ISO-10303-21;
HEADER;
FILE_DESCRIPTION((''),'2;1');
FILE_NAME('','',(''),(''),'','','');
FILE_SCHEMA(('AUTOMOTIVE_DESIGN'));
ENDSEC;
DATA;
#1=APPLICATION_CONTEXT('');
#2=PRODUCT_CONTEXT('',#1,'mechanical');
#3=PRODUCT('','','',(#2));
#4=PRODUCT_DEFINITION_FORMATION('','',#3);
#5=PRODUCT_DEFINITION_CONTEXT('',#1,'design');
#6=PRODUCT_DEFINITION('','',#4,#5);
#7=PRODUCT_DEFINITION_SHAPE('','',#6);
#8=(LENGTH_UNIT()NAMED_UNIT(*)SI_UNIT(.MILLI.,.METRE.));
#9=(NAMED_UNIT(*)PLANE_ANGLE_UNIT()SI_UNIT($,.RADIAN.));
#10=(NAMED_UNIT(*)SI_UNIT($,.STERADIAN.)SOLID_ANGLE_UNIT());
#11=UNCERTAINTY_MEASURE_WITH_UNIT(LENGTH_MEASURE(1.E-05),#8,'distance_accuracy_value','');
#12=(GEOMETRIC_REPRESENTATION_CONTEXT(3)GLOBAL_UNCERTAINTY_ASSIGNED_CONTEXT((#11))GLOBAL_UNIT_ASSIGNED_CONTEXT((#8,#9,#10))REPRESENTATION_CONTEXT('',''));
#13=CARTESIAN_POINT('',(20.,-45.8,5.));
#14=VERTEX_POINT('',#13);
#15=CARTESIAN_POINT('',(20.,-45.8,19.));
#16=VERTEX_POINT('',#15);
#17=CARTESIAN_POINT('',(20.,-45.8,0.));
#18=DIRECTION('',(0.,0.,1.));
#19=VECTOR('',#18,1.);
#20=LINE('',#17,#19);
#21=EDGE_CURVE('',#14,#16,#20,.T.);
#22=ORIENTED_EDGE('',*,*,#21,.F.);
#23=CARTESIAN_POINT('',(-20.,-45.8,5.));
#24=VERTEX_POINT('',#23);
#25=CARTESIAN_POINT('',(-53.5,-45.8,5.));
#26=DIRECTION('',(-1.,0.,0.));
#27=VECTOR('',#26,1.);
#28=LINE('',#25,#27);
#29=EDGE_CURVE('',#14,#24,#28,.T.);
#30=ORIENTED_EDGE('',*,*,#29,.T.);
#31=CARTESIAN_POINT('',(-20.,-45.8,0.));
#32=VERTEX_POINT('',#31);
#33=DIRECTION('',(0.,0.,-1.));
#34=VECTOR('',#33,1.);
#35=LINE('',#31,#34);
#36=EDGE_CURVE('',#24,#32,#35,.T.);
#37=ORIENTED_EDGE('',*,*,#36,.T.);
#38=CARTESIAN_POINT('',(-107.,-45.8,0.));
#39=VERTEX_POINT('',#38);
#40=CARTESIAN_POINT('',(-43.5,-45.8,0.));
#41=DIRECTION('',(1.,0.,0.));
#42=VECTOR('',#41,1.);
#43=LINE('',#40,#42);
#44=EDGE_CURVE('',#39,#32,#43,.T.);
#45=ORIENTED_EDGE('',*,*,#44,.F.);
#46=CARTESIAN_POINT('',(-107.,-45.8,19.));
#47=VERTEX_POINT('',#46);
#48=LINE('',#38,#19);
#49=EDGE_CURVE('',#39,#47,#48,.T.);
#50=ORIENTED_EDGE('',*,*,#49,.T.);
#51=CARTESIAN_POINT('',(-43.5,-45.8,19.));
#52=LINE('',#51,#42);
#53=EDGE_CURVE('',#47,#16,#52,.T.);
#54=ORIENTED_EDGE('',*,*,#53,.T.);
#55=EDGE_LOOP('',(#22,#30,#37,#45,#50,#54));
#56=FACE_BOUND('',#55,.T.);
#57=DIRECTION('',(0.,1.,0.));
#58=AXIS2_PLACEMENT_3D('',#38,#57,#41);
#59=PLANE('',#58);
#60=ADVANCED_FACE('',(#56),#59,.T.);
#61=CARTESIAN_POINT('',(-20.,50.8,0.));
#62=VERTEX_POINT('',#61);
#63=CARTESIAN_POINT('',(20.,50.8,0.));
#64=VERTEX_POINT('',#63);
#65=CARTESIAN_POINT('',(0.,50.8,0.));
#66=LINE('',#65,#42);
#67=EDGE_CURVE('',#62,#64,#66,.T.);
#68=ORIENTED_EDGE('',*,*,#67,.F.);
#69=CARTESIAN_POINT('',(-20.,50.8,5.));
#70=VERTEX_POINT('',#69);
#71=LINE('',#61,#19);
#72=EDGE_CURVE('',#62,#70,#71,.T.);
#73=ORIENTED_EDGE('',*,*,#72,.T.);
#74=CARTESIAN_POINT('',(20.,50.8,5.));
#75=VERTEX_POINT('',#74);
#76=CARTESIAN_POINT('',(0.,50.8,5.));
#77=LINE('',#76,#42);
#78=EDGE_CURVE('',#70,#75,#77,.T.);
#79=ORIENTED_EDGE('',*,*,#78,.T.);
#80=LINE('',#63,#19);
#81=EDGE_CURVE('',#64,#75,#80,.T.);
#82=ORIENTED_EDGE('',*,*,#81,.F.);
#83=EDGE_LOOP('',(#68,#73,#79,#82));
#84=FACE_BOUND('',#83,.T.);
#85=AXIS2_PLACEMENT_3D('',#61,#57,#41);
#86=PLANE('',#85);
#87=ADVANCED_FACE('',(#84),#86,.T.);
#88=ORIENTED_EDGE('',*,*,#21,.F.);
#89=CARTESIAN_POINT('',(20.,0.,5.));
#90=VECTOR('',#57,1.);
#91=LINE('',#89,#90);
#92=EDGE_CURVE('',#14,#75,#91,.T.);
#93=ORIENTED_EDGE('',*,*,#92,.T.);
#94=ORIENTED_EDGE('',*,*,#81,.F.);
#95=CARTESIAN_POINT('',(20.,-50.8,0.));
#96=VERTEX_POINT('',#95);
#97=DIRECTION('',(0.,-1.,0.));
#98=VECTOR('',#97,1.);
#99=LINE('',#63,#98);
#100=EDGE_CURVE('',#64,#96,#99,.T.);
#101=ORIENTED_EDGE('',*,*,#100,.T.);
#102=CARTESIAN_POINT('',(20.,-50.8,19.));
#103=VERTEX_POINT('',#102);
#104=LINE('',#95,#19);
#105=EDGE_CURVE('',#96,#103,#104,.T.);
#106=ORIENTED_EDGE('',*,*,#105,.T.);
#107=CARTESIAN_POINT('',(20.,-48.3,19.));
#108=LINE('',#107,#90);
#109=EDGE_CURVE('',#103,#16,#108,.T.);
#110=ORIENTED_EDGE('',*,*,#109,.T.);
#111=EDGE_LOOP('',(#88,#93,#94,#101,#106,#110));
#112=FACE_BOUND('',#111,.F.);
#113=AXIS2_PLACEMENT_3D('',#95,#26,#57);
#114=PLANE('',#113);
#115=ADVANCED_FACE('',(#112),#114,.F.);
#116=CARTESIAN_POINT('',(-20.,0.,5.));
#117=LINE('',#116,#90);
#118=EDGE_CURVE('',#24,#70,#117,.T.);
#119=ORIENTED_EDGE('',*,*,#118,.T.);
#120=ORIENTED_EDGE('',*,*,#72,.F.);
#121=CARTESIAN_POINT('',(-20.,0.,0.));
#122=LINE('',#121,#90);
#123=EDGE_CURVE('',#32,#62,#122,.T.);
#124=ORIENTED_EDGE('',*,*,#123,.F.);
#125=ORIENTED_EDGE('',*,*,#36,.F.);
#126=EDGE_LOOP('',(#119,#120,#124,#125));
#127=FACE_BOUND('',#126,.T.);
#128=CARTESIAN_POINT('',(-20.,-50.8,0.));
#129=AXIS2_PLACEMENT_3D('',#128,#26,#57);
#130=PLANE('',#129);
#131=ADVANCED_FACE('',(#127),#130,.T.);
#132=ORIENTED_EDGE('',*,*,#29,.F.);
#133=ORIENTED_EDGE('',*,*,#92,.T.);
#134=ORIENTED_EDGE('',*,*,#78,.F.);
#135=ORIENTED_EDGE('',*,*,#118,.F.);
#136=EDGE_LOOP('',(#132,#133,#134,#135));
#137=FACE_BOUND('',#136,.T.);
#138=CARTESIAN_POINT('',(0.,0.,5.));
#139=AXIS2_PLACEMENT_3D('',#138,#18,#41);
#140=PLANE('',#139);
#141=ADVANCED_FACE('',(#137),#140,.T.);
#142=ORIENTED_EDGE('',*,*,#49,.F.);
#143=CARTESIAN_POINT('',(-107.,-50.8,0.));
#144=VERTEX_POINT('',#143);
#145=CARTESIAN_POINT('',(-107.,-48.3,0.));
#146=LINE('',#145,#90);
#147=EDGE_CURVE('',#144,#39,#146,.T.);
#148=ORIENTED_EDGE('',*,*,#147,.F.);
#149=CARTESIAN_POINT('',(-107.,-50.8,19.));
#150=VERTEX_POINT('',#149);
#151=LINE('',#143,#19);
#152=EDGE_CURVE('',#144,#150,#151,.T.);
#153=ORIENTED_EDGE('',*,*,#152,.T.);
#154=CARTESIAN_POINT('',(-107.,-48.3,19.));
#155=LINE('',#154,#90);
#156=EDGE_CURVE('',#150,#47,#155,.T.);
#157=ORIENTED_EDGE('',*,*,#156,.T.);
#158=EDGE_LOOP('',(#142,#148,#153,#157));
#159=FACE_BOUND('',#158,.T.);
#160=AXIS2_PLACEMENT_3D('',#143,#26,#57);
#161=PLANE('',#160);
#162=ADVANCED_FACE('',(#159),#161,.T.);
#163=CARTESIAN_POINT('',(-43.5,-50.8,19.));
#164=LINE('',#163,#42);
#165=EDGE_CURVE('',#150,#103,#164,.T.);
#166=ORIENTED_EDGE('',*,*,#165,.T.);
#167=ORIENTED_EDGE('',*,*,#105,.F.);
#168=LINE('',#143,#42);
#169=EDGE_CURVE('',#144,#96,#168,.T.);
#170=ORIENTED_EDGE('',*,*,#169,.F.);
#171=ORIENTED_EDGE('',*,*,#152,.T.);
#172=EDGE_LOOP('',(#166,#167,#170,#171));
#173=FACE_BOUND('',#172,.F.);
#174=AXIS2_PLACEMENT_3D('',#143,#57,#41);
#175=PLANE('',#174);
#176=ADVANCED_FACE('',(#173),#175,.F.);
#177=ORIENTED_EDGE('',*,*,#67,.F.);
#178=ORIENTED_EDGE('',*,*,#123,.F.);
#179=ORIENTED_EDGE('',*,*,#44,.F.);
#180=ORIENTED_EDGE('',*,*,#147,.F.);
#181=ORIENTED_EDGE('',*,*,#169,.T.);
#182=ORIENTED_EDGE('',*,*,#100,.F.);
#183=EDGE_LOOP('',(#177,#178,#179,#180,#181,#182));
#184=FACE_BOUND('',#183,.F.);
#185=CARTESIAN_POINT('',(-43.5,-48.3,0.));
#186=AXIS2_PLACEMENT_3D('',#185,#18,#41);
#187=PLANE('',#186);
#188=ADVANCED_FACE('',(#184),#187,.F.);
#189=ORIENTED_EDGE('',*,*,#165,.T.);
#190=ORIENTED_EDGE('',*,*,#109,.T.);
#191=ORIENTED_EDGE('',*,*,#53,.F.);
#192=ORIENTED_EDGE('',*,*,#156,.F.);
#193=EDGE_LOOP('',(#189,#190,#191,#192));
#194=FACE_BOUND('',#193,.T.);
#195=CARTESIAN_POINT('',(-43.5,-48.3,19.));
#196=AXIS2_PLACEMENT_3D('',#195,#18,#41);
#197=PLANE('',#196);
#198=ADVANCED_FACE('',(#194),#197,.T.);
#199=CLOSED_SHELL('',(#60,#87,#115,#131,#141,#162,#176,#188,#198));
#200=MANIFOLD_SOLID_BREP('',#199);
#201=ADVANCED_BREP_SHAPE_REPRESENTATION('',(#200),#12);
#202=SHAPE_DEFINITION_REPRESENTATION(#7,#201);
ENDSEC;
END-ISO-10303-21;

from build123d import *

# Parameters (mm, degrees)
F0_W     = 40
F0_H     = 101.6
F1_DEPTH = 5
F2_W     = 127
F2_H     = 5
F3_DEPTH = 19


with BuildPart() as f1:
    # F0 (on Top) → F1 (new body)
    with BuildSketch(Plane.XY):
        Rectangle(F0_W, F0_H)
    extrude(amount=F1_DEPTH)

    # F2 (on Top) → F3 (join)
    with BuildSketch(Plane.XY):
        with Locations((-43.5, -48.3)):
            Rectangle(F2_W, F2_H)
    extrude(amount=F3_DEPTH)


solid = f1.part
